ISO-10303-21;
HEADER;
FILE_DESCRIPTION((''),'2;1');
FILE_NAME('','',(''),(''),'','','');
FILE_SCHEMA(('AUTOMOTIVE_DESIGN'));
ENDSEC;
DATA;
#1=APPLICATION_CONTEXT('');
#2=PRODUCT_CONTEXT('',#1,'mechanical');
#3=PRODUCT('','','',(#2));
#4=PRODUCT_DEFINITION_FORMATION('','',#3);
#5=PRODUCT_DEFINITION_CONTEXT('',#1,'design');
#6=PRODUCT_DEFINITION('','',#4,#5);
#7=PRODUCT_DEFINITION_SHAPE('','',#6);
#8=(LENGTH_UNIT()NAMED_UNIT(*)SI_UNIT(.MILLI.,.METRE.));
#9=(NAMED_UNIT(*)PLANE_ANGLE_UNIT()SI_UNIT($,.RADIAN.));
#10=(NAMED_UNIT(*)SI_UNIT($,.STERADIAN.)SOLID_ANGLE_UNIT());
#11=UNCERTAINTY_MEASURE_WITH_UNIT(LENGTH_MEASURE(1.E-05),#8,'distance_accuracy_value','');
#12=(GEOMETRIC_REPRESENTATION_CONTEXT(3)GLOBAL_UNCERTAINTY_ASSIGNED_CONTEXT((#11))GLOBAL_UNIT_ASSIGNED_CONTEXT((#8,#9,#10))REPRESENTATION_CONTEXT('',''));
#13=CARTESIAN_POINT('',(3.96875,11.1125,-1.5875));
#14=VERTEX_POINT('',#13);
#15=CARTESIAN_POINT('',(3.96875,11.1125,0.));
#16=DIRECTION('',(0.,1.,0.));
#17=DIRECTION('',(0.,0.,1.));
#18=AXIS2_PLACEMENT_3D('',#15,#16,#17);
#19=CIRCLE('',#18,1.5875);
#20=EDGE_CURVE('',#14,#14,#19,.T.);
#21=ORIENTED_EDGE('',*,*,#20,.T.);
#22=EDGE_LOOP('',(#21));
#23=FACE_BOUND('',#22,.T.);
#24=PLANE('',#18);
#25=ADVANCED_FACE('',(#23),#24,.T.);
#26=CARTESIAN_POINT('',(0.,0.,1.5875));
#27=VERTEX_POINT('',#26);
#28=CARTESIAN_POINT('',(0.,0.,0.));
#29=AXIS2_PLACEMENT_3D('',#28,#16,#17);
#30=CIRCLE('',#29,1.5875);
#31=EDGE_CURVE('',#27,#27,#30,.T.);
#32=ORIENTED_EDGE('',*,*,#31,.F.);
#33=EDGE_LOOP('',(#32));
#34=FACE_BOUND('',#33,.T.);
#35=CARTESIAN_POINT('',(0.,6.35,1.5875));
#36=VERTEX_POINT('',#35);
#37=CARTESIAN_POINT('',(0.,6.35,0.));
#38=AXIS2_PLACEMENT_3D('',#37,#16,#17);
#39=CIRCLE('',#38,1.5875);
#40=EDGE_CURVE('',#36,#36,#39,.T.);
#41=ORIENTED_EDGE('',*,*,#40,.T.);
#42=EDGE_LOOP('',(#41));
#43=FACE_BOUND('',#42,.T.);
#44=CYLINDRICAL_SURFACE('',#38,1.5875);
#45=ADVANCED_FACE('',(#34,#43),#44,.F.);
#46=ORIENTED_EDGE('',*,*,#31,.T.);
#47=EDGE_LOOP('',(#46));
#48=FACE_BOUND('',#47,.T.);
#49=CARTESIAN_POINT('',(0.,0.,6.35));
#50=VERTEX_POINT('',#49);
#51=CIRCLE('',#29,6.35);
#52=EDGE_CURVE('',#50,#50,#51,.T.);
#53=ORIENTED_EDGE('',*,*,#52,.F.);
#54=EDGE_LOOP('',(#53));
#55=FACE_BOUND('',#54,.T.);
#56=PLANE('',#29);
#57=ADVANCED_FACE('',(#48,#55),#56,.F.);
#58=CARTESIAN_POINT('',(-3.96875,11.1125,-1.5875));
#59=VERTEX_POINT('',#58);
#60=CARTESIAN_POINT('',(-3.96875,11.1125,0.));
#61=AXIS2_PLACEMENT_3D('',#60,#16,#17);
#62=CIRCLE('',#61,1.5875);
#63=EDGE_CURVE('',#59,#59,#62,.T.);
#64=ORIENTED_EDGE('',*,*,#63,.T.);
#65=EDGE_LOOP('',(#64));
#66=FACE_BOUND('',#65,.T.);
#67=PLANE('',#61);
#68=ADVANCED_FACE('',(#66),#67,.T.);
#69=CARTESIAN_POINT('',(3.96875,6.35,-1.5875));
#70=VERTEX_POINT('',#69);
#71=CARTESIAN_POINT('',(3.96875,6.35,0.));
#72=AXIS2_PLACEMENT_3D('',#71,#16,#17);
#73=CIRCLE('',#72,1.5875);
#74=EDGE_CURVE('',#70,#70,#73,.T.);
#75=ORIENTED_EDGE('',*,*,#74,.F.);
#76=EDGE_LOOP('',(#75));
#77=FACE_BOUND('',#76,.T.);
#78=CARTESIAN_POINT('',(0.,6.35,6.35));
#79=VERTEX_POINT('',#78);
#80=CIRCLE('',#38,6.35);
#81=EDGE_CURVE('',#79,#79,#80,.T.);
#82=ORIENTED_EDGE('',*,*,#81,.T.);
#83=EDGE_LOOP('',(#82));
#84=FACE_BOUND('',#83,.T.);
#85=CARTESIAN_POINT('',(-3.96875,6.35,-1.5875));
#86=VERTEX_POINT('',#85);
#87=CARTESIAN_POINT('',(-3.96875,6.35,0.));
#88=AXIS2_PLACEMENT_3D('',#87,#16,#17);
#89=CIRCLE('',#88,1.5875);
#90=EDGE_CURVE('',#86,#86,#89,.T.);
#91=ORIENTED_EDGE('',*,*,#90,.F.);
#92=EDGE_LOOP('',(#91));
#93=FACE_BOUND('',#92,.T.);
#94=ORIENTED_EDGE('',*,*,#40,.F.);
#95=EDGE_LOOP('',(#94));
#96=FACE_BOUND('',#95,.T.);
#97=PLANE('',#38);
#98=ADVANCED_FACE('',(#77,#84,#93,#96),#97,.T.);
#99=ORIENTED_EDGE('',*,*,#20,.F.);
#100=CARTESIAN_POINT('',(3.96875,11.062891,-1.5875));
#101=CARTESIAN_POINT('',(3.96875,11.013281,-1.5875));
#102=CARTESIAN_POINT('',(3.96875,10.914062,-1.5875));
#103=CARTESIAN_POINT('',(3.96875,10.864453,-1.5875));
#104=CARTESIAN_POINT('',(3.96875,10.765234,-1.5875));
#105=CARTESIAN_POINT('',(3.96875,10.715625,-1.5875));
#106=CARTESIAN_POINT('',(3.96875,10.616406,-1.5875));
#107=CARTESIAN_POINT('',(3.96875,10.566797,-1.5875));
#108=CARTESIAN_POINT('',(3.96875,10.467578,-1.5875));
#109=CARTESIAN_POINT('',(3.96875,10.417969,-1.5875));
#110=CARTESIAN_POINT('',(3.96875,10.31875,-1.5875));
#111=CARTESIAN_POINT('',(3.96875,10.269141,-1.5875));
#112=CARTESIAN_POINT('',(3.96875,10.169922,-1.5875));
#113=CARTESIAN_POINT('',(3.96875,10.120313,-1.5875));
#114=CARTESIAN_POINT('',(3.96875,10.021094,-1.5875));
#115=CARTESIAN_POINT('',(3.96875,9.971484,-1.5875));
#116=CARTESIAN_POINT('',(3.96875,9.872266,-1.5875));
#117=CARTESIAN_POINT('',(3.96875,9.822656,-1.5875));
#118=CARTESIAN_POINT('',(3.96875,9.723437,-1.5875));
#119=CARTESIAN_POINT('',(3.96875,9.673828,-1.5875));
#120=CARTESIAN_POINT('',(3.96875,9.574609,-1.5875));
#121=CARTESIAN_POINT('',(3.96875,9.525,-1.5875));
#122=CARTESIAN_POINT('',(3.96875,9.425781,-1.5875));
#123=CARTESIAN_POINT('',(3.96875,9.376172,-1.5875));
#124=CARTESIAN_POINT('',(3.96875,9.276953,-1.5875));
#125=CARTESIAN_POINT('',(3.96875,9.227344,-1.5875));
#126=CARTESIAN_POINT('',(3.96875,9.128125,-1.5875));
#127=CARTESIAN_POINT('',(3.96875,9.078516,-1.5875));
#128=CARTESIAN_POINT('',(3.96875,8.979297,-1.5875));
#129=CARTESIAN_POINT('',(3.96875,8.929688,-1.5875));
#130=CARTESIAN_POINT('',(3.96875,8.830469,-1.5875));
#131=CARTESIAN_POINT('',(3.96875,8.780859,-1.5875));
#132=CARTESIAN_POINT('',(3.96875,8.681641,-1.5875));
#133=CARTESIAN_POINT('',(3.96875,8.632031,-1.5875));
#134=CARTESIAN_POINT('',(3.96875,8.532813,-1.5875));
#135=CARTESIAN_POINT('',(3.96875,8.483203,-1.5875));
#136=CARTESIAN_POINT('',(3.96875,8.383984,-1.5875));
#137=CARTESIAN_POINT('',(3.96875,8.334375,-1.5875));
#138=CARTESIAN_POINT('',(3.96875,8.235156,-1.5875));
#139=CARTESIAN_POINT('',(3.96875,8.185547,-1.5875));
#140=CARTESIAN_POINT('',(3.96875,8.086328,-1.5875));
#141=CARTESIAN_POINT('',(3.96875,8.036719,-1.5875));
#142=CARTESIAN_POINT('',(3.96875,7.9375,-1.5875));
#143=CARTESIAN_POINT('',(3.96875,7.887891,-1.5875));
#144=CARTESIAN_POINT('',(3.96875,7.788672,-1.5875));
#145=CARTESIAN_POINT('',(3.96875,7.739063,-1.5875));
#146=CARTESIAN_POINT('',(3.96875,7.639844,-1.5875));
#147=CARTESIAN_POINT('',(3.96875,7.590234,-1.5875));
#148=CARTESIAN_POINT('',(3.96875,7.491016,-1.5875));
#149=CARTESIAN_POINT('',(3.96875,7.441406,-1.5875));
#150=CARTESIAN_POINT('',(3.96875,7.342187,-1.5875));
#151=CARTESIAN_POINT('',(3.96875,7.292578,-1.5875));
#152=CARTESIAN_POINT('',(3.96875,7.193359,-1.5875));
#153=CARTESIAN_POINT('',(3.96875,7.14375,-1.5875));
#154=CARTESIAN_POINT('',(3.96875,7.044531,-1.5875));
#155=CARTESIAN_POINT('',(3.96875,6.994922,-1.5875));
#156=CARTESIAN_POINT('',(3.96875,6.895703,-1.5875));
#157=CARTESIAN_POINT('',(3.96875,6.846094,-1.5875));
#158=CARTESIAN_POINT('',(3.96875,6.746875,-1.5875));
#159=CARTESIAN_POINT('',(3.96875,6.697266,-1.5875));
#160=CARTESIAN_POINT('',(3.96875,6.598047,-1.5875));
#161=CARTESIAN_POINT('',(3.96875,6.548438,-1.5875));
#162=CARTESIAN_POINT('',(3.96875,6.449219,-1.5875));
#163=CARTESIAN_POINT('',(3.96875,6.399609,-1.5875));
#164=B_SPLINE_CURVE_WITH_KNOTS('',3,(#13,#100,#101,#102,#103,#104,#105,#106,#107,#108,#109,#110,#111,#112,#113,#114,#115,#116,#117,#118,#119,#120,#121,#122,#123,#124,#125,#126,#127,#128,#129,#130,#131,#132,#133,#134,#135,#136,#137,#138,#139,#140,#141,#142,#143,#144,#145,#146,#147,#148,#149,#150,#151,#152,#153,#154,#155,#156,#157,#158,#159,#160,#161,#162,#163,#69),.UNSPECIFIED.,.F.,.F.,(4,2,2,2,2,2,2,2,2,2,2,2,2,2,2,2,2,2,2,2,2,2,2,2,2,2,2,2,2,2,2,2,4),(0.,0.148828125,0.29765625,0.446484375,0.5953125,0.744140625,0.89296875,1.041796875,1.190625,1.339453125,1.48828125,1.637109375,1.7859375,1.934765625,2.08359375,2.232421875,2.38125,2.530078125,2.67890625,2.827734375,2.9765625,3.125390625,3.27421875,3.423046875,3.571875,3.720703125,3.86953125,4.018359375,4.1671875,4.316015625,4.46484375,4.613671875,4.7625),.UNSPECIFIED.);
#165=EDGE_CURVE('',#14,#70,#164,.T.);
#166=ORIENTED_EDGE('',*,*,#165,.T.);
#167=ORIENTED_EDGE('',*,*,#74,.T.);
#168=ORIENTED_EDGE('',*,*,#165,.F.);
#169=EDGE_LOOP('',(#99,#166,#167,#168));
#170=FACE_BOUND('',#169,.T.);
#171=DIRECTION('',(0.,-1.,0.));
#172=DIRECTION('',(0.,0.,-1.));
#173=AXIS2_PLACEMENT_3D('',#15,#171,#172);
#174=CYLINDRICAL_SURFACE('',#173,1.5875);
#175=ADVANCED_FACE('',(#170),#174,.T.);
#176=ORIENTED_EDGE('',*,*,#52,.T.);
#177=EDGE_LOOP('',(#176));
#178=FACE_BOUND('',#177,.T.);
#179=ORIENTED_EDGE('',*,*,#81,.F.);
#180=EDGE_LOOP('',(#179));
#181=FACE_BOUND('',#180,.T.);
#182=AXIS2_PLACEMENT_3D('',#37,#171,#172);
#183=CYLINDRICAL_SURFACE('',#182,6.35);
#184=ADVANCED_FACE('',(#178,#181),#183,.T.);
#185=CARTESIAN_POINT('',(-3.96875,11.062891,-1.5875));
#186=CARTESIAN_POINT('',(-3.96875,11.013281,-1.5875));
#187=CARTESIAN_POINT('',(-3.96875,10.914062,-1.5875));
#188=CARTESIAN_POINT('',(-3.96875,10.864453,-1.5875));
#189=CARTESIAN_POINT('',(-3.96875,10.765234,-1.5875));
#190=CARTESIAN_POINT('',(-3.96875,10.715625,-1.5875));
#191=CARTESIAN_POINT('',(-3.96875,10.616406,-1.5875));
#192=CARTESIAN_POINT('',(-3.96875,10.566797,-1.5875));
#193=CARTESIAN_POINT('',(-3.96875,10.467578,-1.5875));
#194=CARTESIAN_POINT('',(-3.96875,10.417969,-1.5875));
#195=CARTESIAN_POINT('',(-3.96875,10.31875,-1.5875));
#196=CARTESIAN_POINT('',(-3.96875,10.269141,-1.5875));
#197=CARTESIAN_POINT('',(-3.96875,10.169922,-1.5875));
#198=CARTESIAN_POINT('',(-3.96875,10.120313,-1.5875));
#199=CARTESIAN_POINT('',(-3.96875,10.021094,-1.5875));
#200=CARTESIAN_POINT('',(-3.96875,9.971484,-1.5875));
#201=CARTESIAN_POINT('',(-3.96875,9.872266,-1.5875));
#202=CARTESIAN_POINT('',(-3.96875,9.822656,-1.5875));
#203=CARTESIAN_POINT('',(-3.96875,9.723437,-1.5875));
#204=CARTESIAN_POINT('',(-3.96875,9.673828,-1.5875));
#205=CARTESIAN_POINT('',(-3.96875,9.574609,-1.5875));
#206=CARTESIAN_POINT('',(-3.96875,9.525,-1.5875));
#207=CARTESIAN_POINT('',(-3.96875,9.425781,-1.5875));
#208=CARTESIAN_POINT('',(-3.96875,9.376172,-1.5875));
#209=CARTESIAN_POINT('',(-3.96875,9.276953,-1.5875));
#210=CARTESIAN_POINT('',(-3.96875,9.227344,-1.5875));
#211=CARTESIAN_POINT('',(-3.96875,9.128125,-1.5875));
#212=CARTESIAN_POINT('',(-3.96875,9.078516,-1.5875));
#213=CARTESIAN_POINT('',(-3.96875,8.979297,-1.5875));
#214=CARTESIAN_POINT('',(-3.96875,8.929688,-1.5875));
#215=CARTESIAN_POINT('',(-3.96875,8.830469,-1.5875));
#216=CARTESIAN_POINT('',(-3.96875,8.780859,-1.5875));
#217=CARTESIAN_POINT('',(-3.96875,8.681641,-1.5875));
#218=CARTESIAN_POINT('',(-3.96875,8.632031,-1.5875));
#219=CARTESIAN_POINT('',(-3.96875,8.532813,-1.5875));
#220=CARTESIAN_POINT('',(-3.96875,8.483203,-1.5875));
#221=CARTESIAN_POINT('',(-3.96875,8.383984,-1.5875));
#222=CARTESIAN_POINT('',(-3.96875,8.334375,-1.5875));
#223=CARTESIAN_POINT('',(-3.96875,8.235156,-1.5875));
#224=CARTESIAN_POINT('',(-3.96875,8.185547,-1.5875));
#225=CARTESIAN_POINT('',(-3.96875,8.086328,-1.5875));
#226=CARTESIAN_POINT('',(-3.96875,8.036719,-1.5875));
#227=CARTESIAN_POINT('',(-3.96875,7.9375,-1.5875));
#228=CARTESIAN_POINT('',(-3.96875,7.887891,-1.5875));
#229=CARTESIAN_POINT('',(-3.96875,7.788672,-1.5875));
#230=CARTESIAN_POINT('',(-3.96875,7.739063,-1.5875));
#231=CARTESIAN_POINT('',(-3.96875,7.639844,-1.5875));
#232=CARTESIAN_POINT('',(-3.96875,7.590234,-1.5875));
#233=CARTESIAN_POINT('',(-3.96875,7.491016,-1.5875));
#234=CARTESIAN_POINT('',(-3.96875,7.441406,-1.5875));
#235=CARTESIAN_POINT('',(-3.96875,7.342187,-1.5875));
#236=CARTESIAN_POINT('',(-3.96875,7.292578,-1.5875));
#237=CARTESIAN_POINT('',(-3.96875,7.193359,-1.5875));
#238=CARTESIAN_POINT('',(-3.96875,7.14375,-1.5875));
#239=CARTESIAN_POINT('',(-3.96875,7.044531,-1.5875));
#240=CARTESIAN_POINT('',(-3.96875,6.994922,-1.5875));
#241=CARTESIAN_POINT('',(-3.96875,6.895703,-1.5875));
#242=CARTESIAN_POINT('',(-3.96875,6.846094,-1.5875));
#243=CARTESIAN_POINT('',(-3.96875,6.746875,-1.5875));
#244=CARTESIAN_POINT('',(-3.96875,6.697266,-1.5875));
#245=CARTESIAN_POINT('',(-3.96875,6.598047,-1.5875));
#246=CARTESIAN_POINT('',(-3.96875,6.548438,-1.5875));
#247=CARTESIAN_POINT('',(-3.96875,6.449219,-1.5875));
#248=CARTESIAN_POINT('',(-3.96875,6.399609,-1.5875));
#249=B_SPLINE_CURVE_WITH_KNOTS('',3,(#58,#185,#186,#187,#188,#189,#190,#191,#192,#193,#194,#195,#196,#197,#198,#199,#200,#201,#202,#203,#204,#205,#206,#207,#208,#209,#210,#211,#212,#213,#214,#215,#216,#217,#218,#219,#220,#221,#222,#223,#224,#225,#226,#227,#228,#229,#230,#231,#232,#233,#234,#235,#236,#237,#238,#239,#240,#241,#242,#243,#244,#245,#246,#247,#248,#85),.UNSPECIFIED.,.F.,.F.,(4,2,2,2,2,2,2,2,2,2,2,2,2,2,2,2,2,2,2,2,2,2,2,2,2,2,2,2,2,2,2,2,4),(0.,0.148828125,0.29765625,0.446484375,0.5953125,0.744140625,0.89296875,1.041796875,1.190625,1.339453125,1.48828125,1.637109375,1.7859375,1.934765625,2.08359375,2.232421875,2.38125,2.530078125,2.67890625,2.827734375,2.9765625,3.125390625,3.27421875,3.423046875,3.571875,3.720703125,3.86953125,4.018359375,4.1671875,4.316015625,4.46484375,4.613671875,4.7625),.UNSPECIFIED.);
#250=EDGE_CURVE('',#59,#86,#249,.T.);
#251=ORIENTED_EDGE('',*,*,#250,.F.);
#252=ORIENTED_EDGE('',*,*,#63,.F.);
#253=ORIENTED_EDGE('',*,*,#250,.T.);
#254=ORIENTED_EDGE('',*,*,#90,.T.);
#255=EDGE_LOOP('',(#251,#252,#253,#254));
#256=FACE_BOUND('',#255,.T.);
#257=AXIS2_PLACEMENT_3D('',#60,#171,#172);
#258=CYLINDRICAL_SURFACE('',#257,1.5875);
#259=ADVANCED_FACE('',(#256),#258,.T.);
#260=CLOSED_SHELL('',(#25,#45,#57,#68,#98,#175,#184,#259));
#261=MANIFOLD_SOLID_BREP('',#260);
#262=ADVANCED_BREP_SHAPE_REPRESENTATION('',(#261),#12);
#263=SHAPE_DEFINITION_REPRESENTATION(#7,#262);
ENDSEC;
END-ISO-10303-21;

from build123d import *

# Parameters (mm, degrees)
SKETCH1_R                    = 6.35
BOSS_EXTRUDE1_DEPTH          = 6.35
F_1_8_0_125_DIAMETER_HOLE1_D = 3.175
SKETCH4_R                    = 1.5875
BOSS_EXTRUDE2_DEPTH          = 4.7625


with BuildPart() as part:
    # Sketch1 → Boss-Extrude1 (new body)
    with BuildSketch(Plane(origin=(0, 0, 0), x_dir=(1, 0, 0), z_dir=(0, 1, 0))):
        with Locations(Location((0, 0, 0), (0, 0, 270))):
            Circle(SKETCH1_R)
    extrude(amount=BOSS_EXTRUDE1_DEPTH)

    # 1/8 (0.125) Diameter Hole1 (through all)
    with Locations(Plane(origin=(0, 6.35, 0), x_dir=(1, 0, 0), z_dir=(0, 1, 0))):
        with Locations((0, 0)):
            Hole(F_1_8_0_125_DIAMETER_HOLE1_D / 2)

    # Sketch4 → Boss-Extrude2 (add)
    with BuildSketch(Plane(origin=(0, 6.35, 0), x_dir=(1, 0, 0), z_dir=(0, 1, 0))):
        with Locations(Location((3.96875, 0, 0), (0, 0, 90))):
            Circle(SKETCH4_R)
        with Locations(Location((-3.96875, 0, 0), (0, 0, 90))):
            Circle(SKETCH4_R)
    extrude(amount=BOSS_EXTRUDE2_DEPTH)


solid = part.part
